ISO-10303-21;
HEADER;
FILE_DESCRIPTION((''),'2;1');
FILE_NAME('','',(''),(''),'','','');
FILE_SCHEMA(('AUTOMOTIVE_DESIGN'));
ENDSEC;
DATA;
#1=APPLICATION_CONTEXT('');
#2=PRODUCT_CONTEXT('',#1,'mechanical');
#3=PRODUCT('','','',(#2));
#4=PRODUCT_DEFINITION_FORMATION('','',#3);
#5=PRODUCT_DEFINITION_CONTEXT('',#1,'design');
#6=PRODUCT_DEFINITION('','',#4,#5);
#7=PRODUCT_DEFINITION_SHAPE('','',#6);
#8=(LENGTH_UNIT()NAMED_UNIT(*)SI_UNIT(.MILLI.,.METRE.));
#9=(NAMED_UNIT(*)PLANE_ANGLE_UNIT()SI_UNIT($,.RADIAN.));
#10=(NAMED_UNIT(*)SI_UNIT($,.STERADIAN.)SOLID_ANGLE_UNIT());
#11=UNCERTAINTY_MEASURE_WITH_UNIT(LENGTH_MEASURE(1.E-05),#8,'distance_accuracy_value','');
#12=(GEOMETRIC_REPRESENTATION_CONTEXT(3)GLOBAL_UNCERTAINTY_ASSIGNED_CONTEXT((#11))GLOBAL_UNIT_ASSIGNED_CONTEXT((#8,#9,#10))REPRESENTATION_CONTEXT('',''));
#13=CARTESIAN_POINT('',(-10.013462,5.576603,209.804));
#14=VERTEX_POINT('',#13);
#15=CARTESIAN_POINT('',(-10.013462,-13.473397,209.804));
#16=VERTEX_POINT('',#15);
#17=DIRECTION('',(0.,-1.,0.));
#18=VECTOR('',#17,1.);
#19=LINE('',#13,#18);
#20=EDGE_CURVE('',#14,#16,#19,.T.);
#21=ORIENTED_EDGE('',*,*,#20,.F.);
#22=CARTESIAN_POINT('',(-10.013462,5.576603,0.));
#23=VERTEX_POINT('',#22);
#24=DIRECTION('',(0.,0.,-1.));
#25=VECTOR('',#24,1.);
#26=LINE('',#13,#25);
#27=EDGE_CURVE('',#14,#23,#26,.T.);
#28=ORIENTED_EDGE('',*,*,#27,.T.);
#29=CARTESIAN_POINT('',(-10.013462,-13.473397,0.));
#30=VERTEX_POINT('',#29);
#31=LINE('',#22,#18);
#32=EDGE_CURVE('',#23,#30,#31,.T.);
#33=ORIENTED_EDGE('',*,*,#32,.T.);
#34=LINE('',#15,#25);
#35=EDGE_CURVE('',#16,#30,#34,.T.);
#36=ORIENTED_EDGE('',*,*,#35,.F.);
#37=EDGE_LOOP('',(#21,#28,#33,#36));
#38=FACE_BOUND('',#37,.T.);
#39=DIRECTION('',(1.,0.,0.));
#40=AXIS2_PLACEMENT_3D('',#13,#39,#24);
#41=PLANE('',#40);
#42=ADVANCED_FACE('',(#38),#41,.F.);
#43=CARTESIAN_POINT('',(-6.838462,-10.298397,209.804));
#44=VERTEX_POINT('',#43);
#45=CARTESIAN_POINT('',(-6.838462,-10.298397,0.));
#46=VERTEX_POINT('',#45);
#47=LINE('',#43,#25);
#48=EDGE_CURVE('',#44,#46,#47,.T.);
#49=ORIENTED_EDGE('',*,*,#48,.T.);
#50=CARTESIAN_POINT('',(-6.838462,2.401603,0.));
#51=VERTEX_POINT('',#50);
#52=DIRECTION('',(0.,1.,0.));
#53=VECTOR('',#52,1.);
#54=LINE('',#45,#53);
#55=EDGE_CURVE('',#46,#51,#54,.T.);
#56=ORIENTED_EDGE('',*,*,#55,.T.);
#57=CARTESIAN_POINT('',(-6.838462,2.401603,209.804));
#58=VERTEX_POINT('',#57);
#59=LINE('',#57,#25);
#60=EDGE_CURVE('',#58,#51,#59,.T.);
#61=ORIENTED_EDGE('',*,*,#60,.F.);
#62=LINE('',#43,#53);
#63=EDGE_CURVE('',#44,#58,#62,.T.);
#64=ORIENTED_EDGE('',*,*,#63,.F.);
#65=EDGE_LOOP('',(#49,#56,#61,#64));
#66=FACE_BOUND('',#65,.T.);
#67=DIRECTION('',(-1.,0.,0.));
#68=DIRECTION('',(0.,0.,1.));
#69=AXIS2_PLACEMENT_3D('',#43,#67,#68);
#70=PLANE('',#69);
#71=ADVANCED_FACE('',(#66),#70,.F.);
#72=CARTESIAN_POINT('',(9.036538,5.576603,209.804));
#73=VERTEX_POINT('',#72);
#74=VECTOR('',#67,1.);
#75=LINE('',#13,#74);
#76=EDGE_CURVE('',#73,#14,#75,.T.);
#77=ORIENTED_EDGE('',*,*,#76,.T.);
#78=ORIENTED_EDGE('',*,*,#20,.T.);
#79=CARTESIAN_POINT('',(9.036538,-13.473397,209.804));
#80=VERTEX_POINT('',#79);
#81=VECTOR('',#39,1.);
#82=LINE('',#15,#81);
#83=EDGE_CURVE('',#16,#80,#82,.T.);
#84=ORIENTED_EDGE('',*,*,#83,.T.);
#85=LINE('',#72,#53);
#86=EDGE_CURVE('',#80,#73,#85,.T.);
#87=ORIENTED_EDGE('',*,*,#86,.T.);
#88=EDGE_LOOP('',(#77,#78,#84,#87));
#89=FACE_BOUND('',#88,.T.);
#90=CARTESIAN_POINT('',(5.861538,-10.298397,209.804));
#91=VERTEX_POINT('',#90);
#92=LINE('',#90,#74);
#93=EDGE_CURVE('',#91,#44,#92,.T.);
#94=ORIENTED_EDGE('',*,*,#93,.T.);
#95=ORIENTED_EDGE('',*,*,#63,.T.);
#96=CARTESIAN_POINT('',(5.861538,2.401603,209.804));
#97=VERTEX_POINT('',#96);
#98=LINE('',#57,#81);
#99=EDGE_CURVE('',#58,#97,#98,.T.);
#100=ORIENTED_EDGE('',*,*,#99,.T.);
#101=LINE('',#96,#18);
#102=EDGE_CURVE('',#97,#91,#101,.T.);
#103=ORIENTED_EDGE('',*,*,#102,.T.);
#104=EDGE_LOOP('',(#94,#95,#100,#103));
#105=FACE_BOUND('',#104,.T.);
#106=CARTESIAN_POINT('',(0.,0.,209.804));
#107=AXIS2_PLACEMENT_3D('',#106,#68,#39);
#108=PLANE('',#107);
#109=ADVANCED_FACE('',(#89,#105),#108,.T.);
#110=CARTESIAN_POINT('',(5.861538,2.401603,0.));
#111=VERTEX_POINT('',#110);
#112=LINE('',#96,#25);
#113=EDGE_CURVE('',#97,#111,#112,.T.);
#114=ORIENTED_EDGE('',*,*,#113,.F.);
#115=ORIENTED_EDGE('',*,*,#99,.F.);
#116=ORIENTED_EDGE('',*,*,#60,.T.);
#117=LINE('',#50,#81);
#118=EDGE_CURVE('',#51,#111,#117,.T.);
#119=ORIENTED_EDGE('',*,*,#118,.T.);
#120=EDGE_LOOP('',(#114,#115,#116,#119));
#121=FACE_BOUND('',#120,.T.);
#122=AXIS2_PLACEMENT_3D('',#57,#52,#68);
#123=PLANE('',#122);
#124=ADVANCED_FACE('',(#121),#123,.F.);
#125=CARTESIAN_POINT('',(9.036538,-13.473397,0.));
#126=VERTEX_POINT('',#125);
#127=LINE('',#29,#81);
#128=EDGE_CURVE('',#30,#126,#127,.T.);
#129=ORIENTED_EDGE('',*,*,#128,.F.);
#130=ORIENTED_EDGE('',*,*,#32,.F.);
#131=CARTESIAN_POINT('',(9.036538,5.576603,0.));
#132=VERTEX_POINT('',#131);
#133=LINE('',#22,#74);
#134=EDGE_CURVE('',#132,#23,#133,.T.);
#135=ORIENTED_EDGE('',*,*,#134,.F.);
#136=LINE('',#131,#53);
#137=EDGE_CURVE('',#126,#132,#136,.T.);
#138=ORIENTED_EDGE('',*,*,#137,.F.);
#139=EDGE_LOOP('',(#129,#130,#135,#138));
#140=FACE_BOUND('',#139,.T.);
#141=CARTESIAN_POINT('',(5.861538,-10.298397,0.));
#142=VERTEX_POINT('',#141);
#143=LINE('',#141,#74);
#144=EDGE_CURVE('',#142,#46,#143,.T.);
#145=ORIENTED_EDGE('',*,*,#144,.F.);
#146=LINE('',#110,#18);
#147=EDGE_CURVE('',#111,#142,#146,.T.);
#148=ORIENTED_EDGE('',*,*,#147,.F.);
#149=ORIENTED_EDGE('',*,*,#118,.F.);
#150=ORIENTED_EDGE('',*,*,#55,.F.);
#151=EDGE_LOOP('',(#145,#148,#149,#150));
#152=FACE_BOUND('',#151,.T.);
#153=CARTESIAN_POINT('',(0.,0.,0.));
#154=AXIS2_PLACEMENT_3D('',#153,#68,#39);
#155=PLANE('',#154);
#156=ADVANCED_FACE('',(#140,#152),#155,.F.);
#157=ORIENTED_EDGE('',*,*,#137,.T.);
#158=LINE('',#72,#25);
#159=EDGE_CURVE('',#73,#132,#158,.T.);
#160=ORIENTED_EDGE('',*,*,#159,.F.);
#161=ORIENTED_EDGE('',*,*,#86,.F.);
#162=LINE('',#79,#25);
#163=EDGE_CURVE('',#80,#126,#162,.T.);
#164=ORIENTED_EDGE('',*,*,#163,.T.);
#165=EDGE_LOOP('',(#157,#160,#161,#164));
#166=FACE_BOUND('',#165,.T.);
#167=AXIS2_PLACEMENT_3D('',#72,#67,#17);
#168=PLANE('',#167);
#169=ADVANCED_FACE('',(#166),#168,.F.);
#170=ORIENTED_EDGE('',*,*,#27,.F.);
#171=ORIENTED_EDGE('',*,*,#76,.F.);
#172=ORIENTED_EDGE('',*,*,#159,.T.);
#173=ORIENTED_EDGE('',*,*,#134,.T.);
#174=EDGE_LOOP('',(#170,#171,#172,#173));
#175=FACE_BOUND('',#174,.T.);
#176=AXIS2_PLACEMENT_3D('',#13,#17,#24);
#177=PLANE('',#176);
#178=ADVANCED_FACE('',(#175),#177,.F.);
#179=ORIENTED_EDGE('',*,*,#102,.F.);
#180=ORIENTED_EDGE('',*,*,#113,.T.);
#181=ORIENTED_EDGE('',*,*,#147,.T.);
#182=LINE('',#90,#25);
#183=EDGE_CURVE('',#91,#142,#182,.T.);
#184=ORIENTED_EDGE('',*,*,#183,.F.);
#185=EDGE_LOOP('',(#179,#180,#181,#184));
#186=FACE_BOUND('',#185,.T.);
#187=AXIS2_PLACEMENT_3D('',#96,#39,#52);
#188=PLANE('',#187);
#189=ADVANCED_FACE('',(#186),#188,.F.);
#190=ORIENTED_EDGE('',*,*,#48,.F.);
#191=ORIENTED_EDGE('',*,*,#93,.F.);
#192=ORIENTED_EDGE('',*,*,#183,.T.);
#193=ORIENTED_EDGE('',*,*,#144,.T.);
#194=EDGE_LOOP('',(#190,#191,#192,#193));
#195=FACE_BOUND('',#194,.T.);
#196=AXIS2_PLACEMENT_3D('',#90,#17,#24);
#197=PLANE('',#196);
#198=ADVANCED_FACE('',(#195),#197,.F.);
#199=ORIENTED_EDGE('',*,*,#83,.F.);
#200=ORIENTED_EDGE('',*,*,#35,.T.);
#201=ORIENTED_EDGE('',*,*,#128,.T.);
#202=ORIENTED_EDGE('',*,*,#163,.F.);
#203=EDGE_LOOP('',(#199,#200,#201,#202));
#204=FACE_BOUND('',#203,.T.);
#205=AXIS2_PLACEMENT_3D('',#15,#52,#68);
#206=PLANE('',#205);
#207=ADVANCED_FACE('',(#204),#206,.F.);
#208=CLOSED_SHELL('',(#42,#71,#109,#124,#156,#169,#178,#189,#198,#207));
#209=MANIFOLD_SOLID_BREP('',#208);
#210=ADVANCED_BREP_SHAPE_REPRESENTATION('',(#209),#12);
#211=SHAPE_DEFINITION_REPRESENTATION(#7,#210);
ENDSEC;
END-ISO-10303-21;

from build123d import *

# Parameters (mm, degrees)
SKETCH1_W           = 19.05
SKETCH1_H           = 19.05
BOSS_EXTRUDE1_DEPTH = 209.804
SKETCH2_W           = 12.7
SKETCH2_H           = 12.7
CUT_EXTRUDE1_DEPTH  = 210.804


with BuildPart() as part:
    # Sketch1 → Boss-Extrude1 (new body)
    with BuildSketch(Plane.XY):
        with Locations((-0.488461538, -3.948397436)):
            Rectangle(SKETCH1_W, SKETCH1_H)
    extrude(amount=BOSS_EXTRUDE1_DEPTH)

    # Sketch2 → Cut-Extrude1 (cut, through all)
    with BuildSketch(Plane(origin=(0, 0, 0), x_dir=(-1, 0, 0), z_dir=(0, 0, -1))):
        with Locations((0.488461538, -3.948397436)):
            Rectangle(SKETCH2_W, SKETCH2_H)
    extrude(amount=-CUT_EXTRUDE1_DEPTH, mode=Mode.SUBTRACT)


solid = part.part
